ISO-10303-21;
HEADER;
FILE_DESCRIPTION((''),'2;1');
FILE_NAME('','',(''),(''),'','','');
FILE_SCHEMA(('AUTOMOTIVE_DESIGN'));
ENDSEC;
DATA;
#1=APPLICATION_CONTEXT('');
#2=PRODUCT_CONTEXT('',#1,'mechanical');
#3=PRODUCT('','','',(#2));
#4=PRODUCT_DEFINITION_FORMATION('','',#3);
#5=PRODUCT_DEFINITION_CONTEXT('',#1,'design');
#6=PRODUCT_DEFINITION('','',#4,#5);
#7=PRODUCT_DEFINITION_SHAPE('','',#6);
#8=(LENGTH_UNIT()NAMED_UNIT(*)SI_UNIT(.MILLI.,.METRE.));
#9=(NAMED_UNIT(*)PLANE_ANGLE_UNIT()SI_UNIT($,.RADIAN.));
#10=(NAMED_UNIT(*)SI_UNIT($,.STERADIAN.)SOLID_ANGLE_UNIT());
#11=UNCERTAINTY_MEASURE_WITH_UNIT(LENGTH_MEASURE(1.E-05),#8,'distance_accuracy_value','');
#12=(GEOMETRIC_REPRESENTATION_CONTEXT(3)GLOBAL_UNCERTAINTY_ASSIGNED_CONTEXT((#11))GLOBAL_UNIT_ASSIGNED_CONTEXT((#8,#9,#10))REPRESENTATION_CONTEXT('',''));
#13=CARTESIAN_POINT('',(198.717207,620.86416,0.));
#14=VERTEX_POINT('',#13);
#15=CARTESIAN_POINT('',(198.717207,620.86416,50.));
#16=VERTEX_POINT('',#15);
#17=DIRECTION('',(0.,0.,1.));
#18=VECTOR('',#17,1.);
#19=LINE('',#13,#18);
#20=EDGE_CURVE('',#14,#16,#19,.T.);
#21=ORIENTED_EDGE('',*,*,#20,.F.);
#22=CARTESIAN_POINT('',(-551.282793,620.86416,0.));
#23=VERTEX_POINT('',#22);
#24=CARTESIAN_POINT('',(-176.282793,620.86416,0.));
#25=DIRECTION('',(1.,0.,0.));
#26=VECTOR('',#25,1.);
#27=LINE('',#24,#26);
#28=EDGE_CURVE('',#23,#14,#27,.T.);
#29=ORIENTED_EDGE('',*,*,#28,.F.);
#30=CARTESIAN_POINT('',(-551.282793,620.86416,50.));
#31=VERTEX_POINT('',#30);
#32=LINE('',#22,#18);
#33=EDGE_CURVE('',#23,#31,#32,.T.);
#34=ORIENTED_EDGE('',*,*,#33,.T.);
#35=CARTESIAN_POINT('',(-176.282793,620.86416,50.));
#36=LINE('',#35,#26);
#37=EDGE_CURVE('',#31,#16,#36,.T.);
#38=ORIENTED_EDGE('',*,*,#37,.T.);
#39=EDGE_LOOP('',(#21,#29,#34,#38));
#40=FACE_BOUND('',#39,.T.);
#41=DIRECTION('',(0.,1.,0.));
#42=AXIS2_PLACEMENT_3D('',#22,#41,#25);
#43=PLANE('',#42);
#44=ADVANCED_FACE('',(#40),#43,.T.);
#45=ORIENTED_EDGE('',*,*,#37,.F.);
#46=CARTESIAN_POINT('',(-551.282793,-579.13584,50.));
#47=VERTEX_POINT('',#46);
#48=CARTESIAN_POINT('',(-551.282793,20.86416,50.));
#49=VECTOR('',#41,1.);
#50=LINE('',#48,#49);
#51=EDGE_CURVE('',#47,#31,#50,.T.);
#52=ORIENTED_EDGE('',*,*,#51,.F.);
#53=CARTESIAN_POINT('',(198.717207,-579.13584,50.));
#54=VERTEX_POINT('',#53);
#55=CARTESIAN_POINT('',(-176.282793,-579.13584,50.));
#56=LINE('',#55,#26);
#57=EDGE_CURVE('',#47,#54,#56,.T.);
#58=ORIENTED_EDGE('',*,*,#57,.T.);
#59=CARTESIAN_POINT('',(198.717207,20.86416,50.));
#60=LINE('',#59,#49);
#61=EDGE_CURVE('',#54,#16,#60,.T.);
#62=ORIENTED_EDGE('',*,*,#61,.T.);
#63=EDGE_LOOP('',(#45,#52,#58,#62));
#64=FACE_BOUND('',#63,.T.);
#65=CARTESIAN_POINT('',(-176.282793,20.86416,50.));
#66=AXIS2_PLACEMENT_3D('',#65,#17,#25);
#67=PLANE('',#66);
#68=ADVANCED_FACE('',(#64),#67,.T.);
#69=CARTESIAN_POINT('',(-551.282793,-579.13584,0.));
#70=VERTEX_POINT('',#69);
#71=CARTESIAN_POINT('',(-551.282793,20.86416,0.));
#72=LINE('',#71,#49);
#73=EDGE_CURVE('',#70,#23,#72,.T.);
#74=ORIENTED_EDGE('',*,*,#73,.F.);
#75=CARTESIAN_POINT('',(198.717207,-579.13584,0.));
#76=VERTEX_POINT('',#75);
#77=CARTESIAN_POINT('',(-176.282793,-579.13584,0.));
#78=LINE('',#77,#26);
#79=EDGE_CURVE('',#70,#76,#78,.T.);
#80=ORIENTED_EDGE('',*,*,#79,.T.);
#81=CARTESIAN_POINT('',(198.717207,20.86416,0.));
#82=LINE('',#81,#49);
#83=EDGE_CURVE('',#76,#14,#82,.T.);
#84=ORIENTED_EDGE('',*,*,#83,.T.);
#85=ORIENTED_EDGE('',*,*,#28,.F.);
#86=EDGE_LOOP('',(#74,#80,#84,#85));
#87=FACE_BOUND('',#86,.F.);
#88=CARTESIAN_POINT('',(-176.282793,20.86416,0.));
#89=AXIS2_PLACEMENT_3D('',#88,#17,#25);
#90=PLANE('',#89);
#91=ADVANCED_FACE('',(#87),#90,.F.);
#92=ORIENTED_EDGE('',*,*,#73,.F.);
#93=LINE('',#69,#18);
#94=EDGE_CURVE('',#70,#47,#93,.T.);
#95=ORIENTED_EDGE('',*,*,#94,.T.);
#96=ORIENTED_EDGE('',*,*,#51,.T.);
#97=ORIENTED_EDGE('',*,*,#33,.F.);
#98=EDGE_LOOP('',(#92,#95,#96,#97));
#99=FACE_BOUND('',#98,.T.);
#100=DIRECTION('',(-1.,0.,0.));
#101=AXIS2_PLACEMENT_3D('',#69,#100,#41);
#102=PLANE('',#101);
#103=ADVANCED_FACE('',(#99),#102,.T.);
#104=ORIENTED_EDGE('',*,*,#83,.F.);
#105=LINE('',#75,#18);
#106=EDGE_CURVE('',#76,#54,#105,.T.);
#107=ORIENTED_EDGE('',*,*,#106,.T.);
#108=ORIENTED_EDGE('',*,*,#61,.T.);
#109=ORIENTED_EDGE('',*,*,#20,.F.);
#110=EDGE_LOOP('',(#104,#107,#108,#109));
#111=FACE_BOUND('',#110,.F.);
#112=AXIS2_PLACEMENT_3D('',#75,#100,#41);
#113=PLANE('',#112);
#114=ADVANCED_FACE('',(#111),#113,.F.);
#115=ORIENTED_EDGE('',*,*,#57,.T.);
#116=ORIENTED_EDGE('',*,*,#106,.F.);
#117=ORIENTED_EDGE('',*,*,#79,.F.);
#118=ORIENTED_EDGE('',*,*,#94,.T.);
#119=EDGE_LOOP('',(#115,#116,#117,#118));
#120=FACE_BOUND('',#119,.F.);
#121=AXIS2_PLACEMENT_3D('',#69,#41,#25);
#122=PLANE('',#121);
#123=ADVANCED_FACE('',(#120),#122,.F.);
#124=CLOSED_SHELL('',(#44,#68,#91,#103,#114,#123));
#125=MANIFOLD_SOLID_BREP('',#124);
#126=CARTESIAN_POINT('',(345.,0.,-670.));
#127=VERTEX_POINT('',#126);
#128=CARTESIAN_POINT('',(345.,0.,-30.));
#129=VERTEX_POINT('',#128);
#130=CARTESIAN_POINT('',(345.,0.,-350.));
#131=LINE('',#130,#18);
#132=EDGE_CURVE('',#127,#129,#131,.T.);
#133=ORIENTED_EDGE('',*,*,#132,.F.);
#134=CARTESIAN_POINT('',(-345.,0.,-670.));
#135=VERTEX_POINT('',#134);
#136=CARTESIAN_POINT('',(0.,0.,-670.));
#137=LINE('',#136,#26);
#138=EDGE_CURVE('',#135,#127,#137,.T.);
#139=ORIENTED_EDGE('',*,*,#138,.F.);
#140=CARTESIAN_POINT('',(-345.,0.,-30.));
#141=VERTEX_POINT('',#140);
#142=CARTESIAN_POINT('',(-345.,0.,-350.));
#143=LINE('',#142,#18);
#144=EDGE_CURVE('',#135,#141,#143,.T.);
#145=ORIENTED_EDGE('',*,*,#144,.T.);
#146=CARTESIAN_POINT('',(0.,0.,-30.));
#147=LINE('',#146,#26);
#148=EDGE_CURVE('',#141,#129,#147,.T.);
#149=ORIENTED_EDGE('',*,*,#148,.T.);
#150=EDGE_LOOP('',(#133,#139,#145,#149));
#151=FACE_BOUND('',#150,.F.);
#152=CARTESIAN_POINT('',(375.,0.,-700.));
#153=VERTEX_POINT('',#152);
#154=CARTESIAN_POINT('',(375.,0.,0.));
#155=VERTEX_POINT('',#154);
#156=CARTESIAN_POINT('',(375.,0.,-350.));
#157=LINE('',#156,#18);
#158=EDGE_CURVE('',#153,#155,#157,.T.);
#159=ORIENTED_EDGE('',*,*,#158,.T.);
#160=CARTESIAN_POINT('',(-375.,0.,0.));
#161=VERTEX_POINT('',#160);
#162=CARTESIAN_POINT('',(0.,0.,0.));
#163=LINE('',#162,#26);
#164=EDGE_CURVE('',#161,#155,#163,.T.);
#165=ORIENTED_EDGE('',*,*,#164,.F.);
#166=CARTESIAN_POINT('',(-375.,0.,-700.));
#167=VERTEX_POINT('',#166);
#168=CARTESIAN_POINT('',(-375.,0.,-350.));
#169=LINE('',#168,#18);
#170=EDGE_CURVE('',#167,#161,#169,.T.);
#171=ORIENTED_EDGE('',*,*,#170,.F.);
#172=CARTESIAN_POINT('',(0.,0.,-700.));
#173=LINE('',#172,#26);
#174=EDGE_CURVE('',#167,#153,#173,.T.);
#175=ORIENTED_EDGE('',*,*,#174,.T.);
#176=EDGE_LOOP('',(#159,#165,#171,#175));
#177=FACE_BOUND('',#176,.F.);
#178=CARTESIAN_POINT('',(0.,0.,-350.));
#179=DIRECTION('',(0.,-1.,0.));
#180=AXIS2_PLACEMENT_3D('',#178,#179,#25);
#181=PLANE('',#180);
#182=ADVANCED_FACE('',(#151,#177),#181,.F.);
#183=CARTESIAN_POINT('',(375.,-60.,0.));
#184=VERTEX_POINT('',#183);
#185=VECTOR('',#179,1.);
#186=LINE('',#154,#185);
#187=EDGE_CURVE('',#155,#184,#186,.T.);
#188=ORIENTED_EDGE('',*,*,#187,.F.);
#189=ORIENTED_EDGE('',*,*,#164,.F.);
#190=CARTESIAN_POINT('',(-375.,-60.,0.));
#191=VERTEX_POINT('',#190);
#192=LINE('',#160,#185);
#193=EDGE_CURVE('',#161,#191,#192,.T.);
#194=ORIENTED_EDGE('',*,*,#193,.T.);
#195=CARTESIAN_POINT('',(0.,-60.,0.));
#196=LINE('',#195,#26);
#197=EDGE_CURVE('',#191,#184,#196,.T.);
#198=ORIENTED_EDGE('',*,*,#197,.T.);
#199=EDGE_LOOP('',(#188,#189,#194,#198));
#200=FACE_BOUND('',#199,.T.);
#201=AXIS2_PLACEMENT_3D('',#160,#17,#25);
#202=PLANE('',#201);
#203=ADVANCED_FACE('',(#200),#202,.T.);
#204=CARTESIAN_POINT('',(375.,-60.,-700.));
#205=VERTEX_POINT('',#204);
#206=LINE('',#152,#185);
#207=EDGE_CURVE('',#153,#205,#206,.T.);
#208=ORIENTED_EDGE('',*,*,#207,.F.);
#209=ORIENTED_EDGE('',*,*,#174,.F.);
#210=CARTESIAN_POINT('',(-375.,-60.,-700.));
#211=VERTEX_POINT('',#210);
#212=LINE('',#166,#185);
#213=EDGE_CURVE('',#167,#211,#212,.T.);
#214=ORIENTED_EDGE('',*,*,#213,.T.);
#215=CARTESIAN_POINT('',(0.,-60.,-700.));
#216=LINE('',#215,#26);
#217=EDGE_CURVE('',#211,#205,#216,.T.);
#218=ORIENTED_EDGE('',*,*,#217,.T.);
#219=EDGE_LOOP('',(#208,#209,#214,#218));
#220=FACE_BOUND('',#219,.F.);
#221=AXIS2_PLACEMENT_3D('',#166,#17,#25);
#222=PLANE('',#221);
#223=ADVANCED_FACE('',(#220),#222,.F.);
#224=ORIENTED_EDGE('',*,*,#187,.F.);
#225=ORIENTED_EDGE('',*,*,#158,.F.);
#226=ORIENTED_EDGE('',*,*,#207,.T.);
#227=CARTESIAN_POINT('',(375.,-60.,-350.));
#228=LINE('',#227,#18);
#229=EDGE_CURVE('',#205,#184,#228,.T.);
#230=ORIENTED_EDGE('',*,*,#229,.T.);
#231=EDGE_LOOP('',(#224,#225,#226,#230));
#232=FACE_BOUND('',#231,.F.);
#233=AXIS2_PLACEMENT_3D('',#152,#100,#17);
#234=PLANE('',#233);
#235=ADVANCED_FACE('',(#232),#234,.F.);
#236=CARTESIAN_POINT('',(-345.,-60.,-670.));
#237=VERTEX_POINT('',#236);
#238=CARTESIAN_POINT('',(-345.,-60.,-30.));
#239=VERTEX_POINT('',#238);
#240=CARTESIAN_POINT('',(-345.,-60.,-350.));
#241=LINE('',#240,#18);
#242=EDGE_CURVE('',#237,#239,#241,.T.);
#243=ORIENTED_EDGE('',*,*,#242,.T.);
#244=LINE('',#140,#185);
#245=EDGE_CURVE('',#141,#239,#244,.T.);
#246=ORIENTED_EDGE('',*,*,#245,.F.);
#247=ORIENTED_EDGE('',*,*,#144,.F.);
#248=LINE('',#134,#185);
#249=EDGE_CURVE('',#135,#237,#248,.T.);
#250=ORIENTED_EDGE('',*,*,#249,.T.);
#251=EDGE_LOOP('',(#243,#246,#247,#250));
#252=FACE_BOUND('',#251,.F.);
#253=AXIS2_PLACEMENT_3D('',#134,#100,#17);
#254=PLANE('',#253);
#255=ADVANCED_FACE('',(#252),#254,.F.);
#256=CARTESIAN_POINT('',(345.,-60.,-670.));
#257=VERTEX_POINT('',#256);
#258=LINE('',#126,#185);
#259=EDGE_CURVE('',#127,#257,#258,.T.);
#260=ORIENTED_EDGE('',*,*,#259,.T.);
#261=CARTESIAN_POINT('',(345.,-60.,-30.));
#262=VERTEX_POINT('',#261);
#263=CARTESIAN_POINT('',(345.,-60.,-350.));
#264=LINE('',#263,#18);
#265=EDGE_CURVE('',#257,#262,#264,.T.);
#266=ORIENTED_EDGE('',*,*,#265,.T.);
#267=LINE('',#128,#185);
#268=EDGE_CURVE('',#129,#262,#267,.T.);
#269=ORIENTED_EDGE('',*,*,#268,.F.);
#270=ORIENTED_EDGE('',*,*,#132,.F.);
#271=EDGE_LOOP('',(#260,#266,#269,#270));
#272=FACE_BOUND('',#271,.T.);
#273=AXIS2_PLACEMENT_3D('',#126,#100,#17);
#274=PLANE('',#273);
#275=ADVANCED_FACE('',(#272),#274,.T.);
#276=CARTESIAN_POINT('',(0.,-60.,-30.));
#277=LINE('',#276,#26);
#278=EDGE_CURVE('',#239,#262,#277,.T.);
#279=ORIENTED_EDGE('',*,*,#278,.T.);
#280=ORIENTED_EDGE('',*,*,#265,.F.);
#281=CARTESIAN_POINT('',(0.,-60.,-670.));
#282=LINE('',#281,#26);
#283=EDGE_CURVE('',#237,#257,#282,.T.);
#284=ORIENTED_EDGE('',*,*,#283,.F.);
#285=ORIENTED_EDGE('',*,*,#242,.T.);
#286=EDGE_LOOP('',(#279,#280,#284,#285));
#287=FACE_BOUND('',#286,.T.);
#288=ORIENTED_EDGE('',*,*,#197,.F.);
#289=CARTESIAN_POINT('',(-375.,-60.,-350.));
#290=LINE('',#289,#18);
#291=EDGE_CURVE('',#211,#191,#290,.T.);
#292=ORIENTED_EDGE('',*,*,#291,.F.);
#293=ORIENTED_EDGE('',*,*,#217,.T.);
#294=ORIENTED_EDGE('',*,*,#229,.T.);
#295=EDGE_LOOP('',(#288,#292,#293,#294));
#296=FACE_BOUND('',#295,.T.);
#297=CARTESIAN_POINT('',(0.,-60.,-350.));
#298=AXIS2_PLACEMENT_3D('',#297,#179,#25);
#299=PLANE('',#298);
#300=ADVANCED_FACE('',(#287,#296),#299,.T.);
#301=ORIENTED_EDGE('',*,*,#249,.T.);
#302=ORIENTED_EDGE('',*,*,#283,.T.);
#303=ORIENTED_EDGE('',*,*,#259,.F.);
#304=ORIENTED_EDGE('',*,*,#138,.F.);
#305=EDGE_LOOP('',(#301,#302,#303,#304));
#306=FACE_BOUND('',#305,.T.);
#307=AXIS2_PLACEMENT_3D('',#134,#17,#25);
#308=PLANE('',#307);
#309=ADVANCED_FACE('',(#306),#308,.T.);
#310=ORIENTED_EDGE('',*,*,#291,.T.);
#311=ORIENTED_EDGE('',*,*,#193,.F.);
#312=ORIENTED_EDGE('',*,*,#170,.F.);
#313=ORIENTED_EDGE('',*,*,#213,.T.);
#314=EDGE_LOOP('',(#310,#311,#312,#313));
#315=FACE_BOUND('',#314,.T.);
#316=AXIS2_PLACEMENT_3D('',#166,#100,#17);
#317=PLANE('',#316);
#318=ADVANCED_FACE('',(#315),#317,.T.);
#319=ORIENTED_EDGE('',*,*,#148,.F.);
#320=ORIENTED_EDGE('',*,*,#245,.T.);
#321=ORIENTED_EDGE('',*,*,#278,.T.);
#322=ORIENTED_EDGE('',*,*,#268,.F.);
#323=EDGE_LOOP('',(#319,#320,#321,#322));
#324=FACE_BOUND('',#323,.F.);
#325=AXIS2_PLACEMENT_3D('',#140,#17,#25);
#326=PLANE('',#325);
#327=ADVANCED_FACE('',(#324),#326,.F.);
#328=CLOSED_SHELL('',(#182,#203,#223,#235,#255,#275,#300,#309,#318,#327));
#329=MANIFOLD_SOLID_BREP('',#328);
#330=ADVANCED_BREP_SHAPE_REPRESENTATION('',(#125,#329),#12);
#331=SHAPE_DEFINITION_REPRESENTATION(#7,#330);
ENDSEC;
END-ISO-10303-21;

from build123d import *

# Parameters (mm, degrees)
F0_W     = 750
F0_H     = 700
F0_W_2   = 690
F0_H_2   = 640
F1_DEPTH = 60
F2_W     = 750
F2_H     = 1200
F3_DEPTH = 50


with BuildPart() as f1:
    # F0 (on Front) → F1 (new body)
    with BuildSketch(Plane.XZ):
        with Locations((0, -350)):
            Rectangle(F0_W, F0_H)
        with Locations((0, -350)):
            Rectangle(F0_W_2, F0_H_2, mode=Mode.SUBTRACT)
    extrude(amount=F1_DEPTH)


with BuildPart() as f3:
    # F2 (on Top) → F3 (new body)
    with BuildSketch(Plane.XY):
        with Locations((-176.282793, 20.86416)):
            Rectangle(F2_W, F2_H)
    extrude(amount=F3_DEPTH)


solid = Compound([f1.part, f3.part])
